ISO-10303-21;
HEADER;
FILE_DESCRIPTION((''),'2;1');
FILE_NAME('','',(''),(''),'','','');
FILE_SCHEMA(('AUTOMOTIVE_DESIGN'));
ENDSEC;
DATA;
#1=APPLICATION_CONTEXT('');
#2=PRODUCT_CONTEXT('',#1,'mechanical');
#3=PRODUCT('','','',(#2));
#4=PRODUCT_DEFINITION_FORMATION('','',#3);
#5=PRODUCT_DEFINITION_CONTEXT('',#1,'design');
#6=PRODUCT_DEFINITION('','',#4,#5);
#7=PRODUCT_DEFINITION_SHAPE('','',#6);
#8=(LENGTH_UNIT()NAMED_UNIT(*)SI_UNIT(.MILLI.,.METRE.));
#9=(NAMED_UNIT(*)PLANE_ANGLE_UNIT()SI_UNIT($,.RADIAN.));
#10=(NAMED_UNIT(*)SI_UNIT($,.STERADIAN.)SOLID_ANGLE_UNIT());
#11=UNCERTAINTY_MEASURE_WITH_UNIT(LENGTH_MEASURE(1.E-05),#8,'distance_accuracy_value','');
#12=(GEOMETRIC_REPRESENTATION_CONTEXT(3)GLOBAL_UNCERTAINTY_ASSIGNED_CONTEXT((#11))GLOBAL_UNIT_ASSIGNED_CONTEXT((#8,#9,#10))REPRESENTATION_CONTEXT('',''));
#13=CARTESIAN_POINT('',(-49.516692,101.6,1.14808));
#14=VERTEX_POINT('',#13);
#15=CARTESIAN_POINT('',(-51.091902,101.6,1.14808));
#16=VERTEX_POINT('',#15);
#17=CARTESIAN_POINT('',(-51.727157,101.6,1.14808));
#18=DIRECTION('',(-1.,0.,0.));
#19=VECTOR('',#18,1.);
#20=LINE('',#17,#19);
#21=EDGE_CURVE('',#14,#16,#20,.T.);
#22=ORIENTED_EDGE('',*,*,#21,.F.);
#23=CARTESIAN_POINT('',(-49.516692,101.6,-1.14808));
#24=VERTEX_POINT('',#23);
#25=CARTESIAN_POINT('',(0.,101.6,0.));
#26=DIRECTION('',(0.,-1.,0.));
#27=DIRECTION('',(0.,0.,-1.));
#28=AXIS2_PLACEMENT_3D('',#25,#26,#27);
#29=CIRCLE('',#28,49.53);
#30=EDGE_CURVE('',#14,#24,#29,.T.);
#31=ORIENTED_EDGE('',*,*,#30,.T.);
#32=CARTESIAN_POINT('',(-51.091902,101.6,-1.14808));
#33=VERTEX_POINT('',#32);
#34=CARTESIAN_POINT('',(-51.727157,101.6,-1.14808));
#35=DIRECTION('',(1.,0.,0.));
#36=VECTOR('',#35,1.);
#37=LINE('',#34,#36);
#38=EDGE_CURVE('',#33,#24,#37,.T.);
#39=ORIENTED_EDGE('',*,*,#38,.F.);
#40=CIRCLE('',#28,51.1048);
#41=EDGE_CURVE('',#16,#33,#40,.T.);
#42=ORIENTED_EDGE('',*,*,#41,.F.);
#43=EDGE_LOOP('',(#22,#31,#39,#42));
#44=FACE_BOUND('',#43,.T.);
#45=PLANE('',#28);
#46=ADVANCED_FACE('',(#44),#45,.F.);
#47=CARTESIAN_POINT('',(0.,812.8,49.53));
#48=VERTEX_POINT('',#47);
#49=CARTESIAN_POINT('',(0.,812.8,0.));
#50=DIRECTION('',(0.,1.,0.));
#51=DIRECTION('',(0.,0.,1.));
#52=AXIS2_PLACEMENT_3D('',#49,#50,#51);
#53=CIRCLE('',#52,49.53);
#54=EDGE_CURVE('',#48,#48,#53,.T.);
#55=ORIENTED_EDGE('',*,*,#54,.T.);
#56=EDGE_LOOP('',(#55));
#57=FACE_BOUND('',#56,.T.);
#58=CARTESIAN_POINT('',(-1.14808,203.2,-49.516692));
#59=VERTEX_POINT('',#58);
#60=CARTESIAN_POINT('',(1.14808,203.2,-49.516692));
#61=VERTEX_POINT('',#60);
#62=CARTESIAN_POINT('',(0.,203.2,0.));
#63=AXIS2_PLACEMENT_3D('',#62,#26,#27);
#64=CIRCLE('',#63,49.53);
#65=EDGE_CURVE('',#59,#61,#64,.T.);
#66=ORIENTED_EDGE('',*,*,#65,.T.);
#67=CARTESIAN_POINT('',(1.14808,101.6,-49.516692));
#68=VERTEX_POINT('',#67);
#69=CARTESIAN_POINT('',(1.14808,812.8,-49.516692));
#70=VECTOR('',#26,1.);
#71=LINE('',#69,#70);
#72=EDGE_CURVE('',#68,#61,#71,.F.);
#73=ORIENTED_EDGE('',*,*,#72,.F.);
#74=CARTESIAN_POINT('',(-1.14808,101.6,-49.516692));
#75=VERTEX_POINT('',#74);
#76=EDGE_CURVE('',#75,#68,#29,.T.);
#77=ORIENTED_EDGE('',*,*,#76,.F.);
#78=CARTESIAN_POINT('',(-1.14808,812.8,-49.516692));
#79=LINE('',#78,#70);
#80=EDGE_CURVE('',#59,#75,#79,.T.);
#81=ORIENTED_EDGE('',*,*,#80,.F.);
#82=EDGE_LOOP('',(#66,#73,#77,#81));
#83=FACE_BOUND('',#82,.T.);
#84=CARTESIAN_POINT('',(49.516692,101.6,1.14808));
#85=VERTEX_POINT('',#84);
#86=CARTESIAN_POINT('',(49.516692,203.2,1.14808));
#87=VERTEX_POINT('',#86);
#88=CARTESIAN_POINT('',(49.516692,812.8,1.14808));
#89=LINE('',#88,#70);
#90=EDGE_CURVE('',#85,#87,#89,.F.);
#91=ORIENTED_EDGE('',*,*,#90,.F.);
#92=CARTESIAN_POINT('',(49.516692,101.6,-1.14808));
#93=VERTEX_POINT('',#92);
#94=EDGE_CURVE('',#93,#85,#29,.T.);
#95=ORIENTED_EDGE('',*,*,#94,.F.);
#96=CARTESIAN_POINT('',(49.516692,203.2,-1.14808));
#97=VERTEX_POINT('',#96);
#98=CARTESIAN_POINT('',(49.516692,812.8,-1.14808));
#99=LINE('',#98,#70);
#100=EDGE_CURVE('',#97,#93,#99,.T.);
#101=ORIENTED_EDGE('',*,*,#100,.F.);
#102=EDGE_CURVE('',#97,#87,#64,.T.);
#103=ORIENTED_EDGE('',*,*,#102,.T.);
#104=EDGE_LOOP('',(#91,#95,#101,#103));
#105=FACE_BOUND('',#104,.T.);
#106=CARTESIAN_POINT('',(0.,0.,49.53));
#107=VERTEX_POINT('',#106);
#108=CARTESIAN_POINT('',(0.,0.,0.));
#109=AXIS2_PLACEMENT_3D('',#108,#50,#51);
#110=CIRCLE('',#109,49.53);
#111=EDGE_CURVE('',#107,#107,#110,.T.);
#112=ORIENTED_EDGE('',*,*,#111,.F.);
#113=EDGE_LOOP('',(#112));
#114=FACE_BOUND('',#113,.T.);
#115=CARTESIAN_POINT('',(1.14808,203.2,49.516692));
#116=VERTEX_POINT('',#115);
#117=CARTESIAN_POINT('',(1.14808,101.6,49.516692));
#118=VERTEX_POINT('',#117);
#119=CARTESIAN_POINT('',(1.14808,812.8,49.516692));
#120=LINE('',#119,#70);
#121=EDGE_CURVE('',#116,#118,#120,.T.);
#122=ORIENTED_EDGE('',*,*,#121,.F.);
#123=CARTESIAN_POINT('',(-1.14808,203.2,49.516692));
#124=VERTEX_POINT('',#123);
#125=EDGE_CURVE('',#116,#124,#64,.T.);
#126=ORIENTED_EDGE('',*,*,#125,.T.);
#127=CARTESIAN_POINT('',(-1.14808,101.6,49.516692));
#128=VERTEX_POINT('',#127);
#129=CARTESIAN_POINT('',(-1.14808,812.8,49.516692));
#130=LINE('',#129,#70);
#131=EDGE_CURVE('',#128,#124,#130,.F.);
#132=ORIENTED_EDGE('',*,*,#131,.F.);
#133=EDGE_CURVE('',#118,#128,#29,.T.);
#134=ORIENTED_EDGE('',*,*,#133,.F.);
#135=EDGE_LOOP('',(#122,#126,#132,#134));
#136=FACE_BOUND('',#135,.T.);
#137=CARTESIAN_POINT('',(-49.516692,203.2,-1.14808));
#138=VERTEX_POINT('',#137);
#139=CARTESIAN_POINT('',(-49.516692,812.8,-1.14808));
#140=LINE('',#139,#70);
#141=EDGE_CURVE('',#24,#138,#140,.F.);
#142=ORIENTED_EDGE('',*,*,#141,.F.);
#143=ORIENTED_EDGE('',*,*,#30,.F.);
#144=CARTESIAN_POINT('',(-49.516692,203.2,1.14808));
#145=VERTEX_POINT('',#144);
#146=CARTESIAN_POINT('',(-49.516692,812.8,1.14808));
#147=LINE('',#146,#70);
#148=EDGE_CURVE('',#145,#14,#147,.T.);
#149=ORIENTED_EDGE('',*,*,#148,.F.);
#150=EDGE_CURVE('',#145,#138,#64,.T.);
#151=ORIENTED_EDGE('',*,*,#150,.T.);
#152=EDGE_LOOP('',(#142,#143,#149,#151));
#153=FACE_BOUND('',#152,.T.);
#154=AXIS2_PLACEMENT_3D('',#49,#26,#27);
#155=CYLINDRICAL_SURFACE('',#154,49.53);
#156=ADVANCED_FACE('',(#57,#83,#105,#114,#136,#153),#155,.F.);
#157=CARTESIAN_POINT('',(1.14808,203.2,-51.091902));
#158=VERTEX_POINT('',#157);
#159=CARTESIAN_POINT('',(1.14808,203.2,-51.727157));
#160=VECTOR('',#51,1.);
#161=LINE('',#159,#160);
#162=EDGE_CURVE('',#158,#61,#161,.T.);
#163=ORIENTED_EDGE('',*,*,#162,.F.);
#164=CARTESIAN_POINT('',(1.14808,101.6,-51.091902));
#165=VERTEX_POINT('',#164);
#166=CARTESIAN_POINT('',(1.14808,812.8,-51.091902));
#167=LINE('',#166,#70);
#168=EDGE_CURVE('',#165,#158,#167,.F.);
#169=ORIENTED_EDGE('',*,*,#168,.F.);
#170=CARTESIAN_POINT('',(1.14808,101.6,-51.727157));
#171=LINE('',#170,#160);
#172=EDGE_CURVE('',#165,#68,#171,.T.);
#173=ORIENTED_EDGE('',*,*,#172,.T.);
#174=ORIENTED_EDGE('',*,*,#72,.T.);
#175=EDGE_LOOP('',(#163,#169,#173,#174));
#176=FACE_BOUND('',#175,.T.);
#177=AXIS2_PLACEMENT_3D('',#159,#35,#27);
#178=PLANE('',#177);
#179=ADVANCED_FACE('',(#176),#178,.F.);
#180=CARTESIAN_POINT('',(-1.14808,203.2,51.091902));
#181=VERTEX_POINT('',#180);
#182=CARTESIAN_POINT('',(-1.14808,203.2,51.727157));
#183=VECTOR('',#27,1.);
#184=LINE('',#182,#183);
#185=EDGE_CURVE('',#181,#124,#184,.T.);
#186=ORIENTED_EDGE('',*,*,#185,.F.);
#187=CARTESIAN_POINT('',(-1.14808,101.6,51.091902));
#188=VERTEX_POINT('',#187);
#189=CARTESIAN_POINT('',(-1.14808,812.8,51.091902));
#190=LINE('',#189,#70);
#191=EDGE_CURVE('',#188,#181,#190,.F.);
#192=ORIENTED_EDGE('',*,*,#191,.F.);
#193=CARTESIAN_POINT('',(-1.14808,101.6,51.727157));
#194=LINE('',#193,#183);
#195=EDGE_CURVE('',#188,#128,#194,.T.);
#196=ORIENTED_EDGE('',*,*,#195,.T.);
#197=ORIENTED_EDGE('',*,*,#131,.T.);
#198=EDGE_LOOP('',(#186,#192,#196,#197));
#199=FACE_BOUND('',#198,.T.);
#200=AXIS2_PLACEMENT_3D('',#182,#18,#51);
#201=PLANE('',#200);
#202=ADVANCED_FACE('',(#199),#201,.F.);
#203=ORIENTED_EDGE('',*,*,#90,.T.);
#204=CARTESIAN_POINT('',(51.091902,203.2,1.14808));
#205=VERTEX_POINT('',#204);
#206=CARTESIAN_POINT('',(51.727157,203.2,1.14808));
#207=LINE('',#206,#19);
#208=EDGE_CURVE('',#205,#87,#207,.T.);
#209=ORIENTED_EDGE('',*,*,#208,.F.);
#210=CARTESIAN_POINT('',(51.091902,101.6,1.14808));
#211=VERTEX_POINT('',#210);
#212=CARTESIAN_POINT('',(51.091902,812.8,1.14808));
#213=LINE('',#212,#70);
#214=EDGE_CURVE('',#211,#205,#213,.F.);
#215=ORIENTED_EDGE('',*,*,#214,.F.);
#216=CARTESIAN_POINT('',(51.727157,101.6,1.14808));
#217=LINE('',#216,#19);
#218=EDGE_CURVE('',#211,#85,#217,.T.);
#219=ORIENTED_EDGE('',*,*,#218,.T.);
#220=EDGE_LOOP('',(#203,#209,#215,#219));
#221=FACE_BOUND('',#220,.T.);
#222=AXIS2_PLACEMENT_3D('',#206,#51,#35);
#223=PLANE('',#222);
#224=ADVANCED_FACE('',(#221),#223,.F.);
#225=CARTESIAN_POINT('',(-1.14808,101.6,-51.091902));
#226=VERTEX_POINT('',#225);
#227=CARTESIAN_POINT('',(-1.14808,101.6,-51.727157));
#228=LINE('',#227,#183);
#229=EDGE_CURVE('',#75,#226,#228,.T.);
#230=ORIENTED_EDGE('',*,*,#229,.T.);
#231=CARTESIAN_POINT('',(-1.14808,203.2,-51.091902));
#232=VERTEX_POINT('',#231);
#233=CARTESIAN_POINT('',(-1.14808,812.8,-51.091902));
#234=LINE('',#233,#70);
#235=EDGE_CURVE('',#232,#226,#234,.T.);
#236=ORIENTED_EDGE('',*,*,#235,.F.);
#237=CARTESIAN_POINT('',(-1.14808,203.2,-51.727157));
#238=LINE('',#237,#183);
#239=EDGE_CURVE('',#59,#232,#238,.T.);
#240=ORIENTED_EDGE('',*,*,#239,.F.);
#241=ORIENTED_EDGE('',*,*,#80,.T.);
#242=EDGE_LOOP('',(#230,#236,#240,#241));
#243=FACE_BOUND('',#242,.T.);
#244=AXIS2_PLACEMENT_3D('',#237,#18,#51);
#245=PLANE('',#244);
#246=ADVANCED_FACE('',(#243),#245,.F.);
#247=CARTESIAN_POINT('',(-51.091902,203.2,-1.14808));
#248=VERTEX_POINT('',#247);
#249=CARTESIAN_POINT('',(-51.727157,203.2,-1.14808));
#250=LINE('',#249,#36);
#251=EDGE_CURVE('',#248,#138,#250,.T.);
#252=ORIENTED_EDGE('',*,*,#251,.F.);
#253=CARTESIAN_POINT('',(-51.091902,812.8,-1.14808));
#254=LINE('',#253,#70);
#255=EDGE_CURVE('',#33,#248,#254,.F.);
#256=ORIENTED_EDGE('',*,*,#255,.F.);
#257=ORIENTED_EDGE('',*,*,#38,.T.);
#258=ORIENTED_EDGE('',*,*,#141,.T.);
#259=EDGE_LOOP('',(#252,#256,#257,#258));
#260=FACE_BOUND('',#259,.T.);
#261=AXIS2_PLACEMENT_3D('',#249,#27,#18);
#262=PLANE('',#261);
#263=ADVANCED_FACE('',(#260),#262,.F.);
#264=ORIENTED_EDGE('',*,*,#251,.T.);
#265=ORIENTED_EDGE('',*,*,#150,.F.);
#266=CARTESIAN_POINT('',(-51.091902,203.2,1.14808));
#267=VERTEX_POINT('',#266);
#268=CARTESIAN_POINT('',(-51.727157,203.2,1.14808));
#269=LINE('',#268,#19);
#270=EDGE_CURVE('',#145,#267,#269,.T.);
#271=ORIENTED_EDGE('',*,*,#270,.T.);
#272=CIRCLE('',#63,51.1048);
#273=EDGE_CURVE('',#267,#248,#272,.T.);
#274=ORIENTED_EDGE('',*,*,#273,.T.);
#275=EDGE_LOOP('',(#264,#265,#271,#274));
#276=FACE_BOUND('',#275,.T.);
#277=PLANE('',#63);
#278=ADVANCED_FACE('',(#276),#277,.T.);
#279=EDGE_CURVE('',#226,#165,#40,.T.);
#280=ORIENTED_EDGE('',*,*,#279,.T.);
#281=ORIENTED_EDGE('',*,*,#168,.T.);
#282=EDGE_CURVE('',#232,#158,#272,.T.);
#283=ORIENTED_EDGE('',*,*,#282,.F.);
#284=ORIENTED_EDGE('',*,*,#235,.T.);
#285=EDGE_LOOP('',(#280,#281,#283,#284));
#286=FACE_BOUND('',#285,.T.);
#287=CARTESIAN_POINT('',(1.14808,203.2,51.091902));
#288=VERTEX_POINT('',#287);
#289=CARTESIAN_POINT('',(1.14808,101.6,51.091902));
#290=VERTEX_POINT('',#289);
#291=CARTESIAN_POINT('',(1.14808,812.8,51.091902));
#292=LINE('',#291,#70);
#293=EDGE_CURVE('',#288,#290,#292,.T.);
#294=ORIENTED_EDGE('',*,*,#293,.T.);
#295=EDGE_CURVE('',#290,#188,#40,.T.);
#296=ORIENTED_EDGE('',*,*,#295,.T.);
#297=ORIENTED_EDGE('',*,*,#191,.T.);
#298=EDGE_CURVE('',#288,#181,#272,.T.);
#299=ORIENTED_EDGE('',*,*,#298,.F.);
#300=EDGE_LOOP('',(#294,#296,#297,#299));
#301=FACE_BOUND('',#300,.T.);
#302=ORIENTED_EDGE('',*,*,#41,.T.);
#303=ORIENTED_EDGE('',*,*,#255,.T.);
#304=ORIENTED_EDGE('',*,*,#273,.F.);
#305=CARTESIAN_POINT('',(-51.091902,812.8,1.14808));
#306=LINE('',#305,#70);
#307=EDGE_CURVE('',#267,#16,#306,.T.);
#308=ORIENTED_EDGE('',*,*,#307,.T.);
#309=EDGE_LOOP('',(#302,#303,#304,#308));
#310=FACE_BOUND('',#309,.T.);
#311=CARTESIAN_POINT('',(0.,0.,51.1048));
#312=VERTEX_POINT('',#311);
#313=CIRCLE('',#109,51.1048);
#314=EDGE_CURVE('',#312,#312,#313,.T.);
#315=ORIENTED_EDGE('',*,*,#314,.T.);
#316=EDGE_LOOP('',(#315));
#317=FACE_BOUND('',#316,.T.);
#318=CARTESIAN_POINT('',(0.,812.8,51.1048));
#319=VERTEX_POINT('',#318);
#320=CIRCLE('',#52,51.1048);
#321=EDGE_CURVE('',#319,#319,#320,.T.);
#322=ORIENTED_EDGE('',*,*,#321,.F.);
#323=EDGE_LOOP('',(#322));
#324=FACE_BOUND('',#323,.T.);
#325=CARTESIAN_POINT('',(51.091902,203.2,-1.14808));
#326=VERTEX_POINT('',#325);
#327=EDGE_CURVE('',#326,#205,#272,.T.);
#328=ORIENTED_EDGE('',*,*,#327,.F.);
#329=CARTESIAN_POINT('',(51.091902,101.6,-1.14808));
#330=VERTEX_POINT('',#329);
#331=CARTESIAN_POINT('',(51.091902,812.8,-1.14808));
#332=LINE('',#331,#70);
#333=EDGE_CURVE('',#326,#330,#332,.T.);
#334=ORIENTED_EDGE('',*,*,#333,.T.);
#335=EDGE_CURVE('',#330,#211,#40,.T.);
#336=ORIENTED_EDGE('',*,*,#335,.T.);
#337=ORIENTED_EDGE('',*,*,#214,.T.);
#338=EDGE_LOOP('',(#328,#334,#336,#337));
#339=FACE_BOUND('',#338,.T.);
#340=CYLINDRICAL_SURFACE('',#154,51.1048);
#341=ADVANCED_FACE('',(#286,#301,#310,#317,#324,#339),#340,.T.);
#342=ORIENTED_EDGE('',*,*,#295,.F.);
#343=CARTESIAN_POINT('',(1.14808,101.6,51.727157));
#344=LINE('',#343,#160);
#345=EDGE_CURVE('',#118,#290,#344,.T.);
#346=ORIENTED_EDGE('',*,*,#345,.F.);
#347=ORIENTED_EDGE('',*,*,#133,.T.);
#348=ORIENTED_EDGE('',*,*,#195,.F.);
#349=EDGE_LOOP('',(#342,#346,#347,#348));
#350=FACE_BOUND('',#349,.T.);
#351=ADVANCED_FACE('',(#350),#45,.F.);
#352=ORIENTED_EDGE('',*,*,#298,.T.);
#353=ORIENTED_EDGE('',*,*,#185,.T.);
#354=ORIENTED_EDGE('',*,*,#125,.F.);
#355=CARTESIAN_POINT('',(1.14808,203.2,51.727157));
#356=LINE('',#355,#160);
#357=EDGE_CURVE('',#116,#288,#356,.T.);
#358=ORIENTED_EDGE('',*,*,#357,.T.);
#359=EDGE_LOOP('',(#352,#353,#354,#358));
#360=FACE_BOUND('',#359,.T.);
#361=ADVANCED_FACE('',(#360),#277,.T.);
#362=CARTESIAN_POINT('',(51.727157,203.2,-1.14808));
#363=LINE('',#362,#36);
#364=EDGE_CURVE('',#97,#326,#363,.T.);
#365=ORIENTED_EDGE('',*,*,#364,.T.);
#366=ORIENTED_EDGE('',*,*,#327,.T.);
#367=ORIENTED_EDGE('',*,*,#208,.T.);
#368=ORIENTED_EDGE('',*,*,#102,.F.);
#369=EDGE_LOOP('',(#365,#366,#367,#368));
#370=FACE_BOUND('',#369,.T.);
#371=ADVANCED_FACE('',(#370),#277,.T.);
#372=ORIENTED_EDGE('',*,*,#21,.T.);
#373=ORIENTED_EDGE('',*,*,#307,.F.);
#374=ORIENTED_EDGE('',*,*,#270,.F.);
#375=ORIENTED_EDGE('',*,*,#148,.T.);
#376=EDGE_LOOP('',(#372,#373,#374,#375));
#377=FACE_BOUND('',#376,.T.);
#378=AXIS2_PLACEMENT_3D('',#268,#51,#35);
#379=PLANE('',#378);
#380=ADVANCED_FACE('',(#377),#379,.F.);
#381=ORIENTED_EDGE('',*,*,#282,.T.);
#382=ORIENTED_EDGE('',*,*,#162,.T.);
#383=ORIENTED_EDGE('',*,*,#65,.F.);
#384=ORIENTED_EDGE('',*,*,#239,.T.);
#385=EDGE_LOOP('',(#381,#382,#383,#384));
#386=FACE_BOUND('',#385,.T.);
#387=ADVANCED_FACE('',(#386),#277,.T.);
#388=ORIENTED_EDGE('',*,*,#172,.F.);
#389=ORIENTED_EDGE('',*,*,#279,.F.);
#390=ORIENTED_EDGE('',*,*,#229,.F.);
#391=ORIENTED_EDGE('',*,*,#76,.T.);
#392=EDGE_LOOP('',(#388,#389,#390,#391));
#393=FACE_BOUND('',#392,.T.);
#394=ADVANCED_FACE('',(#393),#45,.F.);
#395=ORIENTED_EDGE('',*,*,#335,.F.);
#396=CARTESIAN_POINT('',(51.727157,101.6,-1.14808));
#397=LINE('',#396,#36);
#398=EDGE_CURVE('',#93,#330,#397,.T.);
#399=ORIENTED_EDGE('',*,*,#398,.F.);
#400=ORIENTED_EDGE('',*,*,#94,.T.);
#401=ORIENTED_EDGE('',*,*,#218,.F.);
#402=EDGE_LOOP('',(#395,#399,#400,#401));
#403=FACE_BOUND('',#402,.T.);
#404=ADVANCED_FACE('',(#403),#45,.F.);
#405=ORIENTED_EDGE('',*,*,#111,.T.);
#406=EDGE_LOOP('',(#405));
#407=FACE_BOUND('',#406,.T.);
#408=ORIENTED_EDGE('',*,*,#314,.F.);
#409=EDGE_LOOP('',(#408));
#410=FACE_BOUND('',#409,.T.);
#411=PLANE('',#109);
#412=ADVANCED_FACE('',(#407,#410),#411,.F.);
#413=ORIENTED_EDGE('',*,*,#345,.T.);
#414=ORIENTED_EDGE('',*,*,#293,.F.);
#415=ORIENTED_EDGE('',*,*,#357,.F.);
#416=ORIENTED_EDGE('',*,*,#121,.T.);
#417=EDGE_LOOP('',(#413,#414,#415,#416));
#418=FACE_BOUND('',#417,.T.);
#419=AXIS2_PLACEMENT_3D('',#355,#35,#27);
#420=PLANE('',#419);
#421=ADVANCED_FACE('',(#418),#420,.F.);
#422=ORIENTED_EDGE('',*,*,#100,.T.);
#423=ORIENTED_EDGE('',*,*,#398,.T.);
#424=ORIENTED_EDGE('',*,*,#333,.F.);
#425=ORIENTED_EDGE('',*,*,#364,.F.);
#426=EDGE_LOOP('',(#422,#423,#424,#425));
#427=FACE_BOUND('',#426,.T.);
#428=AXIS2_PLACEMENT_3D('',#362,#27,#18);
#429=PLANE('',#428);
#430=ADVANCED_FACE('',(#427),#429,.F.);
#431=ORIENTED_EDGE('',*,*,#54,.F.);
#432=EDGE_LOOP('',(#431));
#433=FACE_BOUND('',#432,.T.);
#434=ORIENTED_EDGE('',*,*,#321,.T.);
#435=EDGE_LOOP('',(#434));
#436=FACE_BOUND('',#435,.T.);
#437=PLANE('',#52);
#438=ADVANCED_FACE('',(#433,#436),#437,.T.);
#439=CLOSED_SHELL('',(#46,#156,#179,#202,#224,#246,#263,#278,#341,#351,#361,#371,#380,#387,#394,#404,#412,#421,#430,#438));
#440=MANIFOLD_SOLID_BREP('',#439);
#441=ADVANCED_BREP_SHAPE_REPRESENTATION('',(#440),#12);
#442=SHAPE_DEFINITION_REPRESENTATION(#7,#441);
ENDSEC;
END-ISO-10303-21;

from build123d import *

# Parameters (mm, degrees)
SKETCH1_R           = 51.1048
SKETCH1_R_2         = 49.53
BOSS_EXTRUDE1_DEPTH = 812.8
CUT_EXTRUDE1_DEPTH  = 101.6


with BuildPart() as part:
    # Sketch1 → Boss-Extrude1 (new body)
    with BuildSketch(Plane(origin=(0, 0, 0), x_dir=(1, 0, 0), z_dir=(0, 1, 0))):
        with Locations(Location((0, 0, 0), (0, 0, 270))):
            Circle(SKETCH1_R)
        with Locations(Location((0, 0, 0), (0, 0, 270))):
            Circle(SKETCH1_R_2, mode=Mode.SUBTRACT)
    extrude(amount=BOSS_EXTRUDE1_DEPTH)

    # Sketch2 → Cut-Extrude1 (cut)
    with BuildSketch(Plane(origin=(0, 101.6, 0), x_dir=(-1, 0, 0), z_dir=(0, -1, 0))):
        with BuildLine():
            Line((-1.14808, 51.727157019), (-1.14808, 48.633812989))
            ThreePointArc((-1.14808, 48.633812989), (0, 48.647362247), (1.14808, 48.633812989))
            Line((1.14808, 48.633812989), (1.14808, 51.727157019))
            ThreePointArc((1.14808, 51.727157019), (0, 51.739896221), (-1.14808, 51.727157019))
        make_face()
        with BuildLine():
            Line((51.727157019, 1.14808), (48.633812989, 1.14808))
            ThreePointArc((48.633812989, 1.14808), (48.647362247, 0), (48.633812989, -1.14808))
            Line((48.633812989, -1.14808), (51.727157019, -1.14808))
            ThreePointArc((51.727157019, -1.14808), (51.739896221, 0), (51.727157019, 1.14808))
        make_face()
        with BuildLine():
            Line((1.14808, -51.727157019), (1.14808, -48.633812989))
            ThreePointArc((1.14808, -48.633812989), (0, -48.647362247), (-1.14808, -48.633812989))
            Line((-1.14808, -48.633812989), (-1.14808, -51.727157019))
            ThreePointArc((-1.14808, -51.727157019), (0, -51.739896221), (1.14808, -51.727157019))
        make_face()
        with BuildLine():
            Line((-51.727157019, -1.14808), (-48.633812989, -1.14808))
            ThreePointArc((-48.633812989, -1.14808), (-48.647362247, 0), (-48.633812989, 1.14808))
            Line((-48.633812989, 1.14808), (-51.727157019, 1.14808))
            ThreePointArc((-51.727157019, 1.14808), (-51.739896221, 0), (-51.727157019, -1.14808))
        make_face()
    extrude(amount=-CUT_EXTRUDE1_DEPTH, mode=Mode.SUBTRACT)


solid = part.part
